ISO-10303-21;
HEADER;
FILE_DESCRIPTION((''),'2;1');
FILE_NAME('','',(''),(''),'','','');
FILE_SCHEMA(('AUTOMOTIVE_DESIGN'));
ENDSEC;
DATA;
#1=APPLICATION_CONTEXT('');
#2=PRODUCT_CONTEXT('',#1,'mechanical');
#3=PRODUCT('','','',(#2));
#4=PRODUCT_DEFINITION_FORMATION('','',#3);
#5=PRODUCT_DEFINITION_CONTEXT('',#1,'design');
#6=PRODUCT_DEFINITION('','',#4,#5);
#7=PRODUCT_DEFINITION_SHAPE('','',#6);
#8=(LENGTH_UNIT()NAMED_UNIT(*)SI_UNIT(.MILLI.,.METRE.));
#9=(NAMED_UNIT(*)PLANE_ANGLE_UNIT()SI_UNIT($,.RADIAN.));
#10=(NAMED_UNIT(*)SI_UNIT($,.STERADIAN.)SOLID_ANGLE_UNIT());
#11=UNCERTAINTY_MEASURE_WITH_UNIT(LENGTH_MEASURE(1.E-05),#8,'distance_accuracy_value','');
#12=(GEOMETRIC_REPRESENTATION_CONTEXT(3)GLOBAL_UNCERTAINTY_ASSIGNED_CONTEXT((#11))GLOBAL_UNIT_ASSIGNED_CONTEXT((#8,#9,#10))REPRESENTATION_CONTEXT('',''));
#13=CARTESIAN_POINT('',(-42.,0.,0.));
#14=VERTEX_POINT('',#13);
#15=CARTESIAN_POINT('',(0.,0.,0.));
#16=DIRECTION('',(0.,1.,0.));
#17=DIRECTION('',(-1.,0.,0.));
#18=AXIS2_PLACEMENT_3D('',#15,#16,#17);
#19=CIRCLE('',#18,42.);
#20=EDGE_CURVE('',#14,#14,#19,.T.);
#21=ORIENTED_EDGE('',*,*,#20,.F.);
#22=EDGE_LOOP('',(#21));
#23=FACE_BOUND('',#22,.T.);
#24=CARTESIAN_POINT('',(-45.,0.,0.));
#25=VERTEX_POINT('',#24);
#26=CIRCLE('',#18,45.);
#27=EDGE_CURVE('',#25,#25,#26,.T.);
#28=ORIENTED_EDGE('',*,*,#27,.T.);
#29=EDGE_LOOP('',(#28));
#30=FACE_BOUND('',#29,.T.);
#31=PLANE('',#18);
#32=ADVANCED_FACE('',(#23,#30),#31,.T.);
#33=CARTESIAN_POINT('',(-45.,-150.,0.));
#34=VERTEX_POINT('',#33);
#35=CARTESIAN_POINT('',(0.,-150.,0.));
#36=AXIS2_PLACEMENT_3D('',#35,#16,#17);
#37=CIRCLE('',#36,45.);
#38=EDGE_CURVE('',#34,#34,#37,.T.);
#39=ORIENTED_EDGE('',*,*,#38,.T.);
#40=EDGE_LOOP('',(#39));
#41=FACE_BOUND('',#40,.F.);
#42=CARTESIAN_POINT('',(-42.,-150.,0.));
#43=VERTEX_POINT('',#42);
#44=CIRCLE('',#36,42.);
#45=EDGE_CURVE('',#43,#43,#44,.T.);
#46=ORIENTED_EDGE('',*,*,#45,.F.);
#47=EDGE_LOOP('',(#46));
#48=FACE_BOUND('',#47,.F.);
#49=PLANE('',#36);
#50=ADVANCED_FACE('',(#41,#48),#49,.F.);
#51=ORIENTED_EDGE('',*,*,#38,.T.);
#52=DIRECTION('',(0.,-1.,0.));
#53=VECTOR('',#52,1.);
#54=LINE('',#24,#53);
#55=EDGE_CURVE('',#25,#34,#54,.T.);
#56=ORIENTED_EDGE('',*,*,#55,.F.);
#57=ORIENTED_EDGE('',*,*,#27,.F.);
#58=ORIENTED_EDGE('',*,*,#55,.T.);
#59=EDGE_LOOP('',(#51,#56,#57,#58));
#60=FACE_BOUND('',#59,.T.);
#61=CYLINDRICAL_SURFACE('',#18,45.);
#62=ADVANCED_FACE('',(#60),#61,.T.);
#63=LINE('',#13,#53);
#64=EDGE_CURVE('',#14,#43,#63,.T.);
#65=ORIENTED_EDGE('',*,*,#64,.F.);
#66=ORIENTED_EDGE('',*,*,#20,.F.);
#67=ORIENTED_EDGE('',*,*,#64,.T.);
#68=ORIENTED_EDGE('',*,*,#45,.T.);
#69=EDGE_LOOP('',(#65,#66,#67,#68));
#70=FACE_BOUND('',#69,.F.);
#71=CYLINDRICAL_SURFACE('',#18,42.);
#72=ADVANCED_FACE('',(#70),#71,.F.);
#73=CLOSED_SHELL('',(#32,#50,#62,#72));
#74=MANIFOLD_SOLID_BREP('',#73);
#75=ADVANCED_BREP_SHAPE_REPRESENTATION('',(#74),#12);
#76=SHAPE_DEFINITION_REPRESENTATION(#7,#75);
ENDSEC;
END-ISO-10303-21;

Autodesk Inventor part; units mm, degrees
ref_plane "YZ Plane" through (0, 0, 0) normal (1, 0, 0) x (0, 1, 0)
ref_plane "XZ Plane" through (0, 0, 0) normal (0, 1, 0) x (-1, 0, 0)
ref_plane "XY Plane" through (0, 0, 0) normal (0, 0, 1) x (1, 0, 0)
sketch "Sketch1" plane through (0, 0, 0) normal (0, 1, 0) x (-1, 0, 0)
  circle A0 centre (0, 0) radius 45
  circle A1 centre (0, 0) radius 42
  dimension "d0" = 90
  dimension "d1" = 3
extrude "Extrusion1" add sketch "Sketch1" against normal blind 150
properties part number "PNS 1614 FDS tube 4_1200"
